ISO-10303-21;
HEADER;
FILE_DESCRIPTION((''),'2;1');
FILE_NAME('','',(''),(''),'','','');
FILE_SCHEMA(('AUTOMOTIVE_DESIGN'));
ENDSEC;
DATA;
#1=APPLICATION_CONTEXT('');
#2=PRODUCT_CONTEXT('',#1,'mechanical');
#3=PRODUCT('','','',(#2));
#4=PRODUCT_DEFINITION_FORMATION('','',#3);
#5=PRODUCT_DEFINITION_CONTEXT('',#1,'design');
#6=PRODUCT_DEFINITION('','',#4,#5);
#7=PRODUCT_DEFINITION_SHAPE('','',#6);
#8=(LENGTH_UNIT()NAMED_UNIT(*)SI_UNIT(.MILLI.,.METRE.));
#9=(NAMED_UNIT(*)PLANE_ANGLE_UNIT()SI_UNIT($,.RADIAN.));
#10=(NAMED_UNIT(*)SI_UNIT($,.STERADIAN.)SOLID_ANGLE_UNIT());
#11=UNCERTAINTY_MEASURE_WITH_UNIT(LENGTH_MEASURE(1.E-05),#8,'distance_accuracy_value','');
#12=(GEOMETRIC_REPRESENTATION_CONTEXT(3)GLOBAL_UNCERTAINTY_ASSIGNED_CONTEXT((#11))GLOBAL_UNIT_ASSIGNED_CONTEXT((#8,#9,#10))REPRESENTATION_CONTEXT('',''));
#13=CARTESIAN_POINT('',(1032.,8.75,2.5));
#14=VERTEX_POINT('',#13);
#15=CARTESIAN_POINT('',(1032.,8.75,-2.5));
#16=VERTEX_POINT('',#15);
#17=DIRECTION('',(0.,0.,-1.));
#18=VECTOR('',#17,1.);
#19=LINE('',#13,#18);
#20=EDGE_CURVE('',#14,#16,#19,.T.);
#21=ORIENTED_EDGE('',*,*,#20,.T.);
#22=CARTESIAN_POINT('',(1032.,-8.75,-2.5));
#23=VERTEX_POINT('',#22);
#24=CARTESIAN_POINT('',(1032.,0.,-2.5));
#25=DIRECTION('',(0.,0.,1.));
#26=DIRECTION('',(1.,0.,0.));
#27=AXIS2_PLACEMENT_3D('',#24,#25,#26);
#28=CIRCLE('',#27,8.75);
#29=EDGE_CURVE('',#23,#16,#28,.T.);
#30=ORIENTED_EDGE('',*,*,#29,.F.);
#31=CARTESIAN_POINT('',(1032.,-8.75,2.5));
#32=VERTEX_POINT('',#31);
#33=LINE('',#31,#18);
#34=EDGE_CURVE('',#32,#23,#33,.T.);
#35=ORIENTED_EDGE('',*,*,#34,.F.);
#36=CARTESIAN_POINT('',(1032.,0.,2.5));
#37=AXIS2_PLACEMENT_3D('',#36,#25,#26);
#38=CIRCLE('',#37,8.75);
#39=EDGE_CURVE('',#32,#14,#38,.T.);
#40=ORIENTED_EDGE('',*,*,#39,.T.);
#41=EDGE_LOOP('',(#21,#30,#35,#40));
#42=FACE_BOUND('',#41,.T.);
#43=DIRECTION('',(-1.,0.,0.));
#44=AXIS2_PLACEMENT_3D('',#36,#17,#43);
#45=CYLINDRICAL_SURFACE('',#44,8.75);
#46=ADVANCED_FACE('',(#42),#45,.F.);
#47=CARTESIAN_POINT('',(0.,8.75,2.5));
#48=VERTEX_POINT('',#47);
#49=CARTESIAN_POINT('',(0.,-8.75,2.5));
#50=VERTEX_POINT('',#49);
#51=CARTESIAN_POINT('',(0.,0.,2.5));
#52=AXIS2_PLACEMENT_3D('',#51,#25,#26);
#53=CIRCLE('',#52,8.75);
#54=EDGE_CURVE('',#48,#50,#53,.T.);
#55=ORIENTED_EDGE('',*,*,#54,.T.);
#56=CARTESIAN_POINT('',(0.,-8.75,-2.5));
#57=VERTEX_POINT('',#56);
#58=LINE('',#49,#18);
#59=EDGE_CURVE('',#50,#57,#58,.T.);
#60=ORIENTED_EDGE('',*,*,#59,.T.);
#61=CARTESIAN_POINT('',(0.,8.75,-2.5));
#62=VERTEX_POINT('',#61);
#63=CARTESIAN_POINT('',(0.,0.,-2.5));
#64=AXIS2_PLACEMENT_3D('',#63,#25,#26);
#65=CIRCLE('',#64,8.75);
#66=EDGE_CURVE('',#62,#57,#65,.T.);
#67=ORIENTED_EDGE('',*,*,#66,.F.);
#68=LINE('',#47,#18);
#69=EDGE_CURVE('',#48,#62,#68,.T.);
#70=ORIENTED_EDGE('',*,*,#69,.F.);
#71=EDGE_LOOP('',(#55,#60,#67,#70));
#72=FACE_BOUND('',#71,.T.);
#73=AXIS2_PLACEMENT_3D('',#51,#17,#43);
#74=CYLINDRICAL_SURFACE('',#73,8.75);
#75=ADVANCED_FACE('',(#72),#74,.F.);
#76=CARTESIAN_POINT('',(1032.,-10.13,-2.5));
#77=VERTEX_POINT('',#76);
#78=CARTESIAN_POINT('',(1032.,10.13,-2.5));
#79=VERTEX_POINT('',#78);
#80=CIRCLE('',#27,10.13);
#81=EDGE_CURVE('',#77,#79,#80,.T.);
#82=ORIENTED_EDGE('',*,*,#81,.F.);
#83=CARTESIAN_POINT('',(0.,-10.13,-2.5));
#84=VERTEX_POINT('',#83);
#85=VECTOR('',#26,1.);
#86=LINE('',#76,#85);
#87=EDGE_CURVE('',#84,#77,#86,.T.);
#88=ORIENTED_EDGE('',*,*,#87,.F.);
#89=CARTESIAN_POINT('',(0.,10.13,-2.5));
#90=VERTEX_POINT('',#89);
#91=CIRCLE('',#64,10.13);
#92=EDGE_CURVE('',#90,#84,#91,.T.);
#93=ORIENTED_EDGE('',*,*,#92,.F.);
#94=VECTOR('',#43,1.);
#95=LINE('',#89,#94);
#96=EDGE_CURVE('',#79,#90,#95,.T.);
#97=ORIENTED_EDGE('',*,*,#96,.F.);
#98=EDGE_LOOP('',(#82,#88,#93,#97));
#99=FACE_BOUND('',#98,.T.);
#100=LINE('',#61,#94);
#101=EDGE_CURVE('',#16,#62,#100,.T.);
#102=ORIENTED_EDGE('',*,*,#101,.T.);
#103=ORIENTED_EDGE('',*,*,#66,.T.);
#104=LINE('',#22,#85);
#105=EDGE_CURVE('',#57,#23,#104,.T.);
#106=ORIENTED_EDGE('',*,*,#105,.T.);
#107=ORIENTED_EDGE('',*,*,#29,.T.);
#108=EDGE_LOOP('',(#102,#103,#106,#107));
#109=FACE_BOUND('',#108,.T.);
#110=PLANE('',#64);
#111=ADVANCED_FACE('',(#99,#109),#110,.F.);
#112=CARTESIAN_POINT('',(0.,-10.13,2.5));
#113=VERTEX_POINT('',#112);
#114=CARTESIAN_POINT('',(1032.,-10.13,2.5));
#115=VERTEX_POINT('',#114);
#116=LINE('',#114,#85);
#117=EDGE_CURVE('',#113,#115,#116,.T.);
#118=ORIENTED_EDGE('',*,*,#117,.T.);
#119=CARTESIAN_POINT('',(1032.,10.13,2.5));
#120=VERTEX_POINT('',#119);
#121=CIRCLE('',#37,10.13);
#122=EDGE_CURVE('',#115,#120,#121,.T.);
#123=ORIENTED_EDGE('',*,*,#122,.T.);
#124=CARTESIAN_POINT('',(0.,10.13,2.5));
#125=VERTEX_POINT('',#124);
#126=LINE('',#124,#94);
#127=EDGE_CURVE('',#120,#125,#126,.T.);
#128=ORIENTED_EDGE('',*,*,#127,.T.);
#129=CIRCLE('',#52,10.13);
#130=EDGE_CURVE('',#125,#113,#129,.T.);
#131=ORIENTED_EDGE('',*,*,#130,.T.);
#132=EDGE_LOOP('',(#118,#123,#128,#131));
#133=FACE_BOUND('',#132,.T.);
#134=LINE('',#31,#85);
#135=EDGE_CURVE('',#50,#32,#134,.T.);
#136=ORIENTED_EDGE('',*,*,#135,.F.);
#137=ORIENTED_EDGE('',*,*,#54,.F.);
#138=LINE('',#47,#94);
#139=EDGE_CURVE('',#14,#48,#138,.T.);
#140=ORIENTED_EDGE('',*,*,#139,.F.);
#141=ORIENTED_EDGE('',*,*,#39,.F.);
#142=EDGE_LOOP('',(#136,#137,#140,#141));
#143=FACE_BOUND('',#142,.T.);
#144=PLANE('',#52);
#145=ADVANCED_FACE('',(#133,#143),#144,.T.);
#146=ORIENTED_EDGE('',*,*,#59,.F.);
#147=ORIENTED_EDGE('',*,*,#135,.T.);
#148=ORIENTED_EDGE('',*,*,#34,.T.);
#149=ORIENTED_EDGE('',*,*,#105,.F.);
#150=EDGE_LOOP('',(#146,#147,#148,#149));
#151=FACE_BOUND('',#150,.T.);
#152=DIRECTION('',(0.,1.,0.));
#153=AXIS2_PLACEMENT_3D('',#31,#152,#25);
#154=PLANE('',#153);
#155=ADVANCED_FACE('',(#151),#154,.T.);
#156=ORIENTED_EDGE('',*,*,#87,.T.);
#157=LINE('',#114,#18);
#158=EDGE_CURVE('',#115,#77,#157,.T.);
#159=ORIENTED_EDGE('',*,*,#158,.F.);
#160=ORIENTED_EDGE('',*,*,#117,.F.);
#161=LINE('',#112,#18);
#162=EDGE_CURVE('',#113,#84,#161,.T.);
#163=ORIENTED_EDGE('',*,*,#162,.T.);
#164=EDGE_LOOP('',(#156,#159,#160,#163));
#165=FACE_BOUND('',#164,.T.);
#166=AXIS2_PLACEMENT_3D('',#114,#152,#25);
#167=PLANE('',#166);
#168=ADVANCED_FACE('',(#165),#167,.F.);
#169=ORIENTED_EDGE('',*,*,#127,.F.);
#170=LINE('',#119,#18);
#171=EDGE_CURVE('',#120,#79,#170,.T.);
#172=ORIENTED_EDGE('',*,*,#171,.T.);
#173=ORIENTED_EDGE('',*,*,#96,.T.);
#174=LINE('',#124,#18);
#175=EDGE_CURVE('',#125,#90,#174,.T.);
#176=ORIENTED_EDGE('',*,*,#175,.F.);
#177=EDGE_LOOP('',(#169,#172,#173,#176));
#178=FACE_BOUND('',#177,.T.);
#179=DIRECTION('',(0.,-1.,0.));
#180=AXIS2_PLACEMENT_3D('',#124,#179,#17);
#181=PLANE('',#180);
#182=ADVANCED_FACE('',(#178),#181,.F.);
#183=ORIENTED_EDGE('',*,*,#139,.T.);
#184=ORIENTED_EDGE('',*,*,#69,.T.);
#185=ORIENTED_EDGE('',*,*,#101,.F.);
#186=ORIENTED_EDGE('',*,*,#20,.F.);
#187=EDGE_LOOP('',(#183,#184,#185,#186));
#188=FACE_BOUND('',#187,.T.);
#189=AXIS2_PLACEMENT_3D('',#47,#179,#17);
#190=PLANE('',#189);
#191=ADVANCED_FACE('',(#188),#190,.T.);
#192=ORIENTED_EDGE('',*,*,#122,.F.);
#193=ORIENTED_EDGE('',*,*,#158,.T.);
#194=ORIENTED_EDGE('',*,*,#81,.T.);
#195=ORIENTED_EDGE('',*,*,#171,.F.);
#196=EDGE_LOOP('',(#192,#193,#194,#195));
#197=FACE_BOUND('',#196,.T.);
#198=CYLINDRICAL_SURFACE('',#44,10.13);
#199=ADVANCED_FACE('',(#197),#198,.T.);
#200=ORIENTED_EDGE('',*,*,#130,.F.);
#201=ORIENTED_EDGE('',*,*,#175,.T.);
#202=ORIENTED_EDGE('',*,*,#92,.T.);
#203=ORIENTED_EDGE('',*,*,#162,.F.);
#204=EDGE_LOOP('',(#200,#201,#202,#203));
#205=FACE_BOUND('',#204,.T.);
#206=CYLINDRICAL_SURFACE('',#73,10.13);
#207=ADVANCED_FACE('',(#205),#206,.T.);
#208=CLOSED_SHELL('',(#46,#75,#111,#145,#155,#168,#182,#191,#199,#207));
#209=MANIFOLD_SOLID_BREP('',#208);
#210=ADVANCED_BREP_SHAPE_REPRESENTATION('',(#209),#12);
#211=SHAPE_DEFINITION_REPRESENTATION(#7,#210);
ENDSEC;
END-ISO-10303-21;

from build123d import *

# Parameters (mm, degrees)
EXTRUDE_THIN1_DEPTH = 2.5


with BuildPart() as part:
    # Sketch1 → Extrude-Thin1 (new body, symmetric)
    with BuildSketch(Plane.XY):
        with BuildLine():
            Line((1032, -10.13), (0, -10.13))
            ThreePointArc((0, -10.13), (-10.13, 0), (0, 10.13))
            Line((0, 10.13), (1032, 10.13))
            ThreePointArc((1032, 10.13), (1042.13, 0), (1032, -10.13))
        make_face()
        with BuildLine():
            Line((1032, -8.75), (0, -8.75))
            ThreePointArc((0, -8.75), (-8.75, 0), (0, 8.75))
            Line((0, 8.75), (1032, 8.75))
            ThreePointArc((1032, 8.75), (1040.75, 0), (1032, -8.75))
        make_face(mode=Mode.SUBTRACT)
    extrude(amount=EXTRUDE_THIN1_DEPTH, both=True)


solid = part.part
